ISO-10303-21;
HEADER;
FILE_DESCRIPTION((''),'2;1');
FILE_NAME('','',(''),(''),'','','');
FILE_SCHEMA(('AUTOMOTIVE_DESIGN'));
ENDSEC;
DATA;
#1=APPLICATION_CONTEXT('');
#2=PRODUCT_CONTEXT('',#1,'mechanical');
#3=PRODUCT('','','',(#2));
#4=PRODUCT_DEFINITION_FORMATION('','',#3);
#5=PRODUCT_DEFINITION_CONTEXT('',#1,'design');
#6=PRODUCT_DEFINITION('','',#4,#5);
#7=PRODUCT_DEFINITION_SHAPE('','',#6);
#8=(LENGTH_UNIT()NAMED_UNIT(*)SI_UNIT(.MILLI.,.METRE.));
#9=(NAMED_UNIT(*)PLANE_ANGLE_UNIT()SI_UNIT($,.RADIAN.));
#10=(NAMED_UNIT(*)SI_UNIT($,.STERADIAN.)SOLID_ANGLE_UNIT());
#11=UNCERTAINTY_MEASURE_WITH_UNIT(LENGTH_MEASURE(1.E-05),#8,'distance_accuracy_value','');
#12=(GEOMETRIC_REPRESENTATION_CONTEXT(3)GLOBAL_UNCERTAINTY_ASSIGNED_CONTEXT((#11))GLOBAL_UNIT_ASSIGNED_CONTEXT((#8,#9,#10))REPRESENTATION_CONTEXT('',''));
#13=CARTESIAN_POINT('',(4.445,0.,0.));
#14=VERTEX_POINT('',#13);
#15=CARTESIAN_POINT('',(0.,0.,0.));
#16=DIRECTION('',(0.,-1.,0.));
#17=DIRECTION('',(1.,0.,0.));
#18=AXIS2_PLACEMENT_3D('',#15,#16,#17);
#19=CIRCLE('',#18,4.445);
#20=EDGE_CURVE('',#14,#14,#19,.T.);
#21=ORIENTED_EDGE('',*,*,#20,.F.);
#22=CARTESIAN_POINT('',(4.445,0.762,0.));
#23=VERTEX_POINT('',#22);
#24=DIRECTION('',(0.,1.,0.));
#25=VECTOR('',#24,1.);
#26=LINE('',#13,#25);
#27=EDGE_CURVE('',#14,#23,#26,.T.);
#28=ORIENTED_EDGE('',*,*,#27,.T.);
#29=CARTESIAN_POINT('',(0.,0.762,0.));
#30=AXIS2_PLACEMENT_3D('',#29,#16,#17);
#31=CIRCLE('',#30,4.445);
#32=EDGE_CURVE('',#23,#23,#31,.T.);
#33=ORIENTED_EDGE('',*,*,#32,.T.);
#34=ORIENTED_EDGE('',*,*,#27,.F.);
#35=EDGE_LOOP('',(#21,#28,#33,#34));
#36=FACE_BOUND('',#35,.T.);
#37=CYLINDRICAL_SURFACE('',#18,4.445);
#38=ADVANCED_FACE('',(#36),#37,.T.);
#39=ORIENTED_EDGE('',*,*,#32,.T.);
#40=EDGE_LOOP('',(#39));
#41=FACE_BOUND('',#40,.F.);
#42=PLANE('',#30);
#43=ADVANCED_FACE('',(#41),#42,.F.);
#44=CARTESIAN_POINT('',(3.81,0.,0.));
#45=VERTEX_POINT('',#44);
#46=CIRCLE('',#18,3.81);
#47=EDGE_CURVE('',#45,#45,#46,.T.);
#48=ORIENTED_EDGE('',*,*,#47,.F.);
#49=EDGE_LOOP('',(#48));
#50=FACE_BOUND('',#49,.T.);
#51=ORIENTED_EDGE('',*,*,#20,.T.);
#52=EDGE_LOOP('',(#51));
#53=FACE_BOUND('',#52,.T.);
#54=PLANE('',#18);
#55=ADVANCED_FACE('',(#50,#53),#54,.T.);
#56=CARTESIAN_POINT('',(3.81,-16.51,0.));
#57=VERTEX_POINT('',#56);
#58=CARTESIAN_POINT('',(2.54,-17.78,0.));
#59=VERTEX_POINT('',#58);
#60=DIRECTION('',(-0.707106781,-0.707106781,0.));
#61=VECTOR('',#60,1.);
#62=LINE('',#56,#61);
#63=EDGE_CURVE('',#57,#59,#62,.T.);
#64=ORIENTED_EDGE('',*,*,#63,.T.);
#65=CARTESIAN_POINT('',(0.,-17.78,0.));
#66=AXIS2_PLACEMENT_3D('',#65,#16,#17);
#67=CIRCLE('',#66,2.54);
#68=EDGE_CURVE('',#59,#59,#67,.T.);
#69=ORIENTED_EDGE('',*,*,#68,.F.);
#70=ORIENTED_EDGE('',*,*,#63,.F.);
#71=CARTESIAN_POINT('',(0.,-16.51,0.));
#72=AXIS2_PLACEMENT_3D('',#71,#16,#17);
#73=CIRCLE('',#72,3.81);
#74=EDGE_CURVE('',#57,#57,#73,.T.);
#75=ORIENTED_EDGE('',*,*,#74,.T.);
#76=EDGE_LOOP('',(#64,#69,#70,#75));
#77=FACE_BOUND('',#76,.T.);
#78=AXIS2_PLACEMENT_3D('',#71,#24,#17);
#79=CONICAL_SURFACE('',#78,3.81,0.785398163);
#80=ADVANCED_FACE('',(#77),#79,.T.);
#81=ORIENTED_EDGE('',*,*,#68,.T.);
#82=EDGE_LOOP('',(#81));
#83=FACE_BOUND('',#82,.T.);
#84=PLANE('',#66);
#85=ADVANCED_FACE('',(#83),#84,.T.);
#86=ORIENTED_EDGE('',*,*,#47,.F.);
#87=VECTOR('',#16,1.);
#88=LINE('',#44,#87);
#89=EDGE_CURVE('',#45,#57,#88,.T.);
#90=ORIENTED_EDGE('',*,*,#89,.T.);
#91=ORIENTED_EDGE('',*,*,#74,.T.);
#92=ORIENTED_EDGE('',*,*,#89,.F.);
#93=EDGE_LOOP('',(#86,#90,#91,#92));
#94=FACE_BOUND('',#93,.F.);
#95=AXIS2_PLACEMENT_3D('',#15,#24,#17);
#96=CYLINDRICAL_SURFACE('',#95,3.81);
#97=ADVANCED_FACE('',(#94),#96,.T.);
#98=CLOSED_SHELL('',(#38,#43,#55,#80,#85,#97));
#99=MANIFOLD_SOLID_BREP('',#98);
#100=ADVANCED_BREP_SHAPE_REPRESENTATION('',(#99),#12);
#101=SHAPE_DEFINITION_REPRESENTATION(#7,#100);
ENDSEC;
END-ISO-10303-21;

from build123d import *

# Parameters (mm, degrees)
F0_R     = 3.81
F1_DEPTH = 17.78
F2_R     = 4.445
F3_DEPTH = 0.762
F4_SIZE  = 1.27


with BuildPart() as f1:
    # F0 (on Front) → F1 (new body)
    with BuildSketch(Plane.XZ):
        Circle(F0_R)
    extrude(amount=F1_DEPTH)

    # F2 (on Front) → F3 (join)
    with BuildSketch(Plane.XZ):
        Circle(F2_R)
    extrude(amount=-F3_DEPTH)

    # F4
    f4_edges = [f1.edges().sort_by_distance(p)[0] for p in [
        (-3.81, -17.78, 0),
    ]]
    chamfer(f4_edges, length=F4_SIZE)


solid = f1.part
